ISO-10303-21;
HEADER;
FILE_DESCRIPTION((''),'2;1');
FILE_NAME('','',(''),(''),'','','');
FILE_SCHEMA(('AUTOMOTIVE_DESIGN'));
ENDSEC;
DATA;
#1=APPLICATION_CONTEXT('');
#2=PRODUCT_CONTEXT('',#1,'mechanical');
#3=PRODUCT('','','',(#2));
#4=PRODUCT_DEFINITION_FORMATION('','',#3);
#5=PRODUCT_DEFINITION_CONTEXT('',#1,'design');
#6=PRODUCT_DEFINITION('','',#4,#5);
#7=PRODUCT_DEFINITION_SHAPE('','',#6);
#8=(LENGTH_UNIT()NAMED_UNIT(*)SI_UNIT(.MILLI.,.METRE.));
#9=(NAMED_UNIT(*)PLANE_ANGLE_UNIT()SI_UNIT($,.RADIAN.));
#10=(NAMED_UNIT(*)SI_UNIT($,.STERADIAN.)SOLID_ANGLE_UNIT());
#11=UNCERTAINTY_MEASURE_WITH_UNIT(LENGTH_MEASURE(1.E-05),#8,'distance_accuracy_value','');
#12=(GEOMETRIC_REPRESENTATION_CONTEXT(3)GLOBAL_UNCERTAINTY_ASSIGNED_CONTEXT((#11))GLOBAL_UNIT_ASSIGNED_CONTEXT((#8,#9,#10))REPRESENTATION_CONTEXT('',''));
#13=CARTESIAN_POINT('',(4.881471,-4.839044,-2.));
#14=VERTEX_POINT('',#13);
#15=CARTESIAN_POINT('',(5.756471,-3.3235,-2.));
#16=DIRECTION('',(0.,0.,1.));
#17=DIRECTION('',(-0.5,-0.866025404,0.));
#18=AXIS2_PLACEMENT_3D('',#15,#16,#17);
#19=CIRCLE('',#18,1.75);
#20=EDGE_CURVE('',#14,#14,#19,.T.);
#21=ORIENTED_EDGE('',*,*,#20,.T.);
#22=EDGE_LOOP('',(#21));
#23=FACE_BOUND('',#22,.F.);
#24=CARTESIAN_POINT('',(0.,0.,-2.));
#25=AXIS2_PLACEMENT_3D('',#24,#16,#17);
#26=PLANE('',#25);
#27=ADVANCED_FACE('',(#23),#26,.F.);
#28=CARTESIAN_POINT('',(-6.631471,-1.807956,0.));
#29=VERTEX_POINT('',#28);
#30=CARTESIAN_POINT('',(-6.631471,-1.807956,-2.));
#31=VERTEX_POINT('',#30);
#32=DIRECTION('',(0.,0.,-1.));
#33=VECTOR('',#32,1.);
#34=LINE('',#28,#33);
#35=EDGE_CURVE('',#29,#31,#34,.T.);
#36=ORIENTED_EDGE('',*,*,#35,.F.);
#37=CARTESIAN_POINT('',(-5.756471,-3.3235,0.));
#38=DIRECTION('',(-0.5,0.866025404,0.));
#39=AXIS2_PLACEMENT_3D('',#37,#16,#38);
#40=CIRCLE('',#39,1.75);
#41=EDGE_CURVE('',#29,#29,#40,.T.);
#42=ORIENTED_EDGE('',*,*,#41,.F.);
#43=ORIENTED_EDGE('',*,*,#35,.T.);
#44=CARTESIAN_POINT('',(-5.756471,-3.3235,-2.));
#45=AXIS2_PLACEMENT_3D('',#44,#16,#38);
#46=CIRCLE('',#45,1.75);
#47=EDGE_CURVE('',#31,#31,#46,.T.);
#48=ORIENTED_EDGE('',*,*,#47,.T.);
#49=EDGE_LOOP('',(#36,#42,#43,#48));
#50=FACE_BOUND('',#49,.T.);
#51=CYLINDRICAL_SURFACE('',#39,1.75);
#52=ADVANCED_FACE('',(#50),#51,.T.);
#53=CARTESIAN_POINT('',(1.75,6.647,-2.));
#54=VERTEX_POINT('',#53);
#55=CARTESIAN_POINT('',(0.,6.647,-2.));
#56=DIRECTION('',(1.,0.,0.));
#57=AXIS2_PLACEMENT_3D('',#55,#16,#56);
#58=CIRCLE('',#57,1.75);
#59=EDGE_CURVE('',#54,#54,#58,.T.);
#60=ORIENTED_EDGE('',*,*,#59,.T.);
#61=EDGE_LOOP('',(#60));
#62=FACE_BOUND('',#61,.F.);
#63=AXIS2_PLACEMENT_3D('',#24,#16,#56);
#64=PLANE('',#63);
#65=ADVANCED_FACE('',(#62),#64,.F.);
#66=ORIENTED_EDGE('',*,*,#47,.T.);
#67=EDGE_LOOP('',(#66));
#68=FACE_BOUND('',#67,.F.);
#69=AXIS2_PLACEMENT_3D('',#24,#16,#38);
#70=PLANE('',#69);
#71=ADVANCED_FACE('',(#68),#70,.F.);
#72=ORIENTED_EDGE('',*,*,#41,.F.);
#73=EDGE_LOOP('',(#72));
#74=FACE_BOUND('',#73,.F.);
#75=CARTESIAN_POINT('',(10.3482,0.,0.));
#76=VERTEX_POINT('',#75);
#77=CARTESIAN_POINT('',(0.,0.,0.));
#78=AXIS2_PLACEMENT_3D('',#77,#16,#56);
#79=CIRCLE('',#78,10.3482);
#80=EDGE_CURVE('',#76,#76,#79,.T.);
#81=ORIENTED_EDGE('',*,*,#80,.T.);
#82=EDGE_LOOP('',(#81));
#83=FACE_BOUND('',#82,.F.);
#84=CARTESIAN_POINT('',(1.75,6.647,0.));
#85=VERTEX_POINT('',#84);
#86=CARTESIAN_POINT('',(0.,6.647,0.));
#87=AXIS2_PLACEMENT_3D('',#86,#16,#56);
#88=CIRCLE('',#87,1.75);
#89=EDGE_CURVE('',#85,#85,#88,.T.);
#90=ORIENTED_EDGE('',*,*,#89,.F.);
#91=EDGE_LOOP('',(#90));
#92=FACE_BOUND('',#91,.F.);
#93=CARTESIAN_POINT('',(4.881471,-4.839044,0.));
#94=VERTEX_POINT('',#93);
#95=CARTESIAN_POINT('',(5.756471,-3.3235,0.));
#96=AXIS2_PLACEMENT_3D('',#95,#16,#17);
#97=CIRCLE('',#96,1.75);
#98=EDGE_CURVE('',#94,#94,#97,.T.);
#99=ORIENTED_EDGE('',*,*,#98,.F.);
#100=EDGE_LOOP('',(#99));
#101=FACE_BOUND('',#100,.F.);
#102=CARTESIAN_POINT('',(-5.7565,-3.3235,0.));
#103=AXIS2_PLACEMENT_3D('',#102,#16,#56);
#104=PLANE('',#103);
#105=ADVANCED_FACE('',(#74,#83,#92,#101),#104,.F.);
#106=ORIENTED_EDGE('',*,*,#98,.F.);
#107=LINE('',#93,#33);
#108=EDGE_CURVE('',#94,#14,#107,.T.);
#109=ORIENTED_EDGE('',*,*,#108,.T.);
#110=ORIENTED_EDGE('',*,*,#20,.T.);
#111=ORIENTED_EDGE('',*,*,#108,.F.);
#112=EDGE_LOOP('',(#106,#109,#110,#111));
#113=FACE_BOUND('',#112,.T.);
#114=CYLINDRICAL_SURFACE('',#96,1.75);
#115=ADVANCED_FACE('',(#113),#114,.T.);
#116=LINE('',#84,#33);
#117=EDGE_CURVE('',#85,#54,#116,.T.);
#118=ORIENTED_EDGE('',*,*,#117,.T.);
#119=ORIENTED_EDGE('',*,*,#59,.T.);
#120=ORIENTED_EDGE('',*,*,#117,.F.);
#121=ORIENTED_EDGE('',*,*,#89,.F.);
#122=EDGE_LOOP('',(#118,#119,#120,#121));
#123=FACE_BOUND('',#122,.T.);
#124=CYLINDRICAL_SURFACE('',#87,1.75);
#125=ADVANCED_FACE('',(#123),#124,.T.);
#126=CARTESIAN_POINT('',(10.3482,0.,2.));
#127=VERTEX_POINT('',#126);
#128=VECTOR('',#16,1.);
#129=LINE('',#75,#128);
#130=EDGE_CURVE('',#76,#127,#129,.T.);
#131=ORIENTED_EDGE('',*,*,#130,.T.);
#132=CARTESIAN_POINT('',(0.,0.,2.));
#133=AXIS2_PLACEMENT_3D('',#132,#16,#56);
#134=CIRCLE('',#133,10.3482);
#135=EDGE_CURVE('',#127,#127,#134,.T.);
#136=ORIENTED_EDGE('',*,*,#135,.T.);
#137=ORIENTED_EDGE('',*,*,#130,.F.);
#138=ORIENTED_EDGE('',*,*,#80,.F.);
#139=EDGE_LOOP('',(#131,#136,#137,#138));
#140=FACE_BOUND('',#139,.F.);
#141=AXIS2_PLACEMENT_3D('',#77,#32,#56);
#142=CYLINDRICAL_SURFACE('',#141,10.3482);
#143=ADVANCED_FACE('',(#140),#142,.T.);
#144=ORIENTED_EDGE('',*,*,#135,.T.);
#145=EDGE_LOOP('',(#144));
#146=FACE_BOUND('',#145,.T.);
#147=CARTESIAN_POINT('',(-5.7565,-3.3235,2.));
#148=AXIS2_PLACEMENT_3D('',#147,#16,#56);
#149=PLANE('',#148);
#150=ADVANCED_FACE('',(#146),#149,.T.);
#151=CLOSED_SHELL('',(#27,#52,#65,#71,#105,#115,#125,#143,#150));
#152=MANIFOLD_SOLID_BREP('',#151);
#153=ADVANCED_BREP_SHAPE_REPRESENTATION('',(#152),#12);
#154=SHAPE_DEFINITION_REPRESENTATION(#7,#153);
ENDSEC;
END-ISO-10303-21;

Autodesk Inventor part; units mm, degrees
ref_plane "YZ Plane" through (0, 0, 0) normal (1, 0, 0) x (0, 1, 0)
ref_plane "XZ Plane" through (0, 0, 0) normal (0, 1, 0) x (-1, 0, 0)
ref_plane "XY Plane" through (0, 0, 0) normal (0, 0, 1) x (1, 0, 0)
sketch "Sketch1" plane through (0, 0, 0) normal (0, 0, 1) x (1, 0, 0)
  circle A0 centre (0, 6.647) radius 1.75
  point P0 (0, 0)
  dimension "d0" = 3.5
  dimension "d1" = 6.647
extrude "Extrusion1" add sketch "Sketch1" against normal blind 2
pattern_circular "Circular Pattern1" count 3 over 360 about axis through (0, 0, -10) along (0, 0, 1) of "Extrusion1"
sketch "Sketch3" plane through (-5.7565, -3.3235, 0) normal (0, 0, 1) x (1, 0, 0)
  circle A0 centre (5.7565, 3.3235) radius 10.3482
  circle A1 centre (5.7565, 3.3235) radius 11.0482 projected
  dimension "d13" = 0.7
extrude "Extrusion3" add sketch "Sketch3" along normal blind 2 contours A0
properties part number "PSteg"
